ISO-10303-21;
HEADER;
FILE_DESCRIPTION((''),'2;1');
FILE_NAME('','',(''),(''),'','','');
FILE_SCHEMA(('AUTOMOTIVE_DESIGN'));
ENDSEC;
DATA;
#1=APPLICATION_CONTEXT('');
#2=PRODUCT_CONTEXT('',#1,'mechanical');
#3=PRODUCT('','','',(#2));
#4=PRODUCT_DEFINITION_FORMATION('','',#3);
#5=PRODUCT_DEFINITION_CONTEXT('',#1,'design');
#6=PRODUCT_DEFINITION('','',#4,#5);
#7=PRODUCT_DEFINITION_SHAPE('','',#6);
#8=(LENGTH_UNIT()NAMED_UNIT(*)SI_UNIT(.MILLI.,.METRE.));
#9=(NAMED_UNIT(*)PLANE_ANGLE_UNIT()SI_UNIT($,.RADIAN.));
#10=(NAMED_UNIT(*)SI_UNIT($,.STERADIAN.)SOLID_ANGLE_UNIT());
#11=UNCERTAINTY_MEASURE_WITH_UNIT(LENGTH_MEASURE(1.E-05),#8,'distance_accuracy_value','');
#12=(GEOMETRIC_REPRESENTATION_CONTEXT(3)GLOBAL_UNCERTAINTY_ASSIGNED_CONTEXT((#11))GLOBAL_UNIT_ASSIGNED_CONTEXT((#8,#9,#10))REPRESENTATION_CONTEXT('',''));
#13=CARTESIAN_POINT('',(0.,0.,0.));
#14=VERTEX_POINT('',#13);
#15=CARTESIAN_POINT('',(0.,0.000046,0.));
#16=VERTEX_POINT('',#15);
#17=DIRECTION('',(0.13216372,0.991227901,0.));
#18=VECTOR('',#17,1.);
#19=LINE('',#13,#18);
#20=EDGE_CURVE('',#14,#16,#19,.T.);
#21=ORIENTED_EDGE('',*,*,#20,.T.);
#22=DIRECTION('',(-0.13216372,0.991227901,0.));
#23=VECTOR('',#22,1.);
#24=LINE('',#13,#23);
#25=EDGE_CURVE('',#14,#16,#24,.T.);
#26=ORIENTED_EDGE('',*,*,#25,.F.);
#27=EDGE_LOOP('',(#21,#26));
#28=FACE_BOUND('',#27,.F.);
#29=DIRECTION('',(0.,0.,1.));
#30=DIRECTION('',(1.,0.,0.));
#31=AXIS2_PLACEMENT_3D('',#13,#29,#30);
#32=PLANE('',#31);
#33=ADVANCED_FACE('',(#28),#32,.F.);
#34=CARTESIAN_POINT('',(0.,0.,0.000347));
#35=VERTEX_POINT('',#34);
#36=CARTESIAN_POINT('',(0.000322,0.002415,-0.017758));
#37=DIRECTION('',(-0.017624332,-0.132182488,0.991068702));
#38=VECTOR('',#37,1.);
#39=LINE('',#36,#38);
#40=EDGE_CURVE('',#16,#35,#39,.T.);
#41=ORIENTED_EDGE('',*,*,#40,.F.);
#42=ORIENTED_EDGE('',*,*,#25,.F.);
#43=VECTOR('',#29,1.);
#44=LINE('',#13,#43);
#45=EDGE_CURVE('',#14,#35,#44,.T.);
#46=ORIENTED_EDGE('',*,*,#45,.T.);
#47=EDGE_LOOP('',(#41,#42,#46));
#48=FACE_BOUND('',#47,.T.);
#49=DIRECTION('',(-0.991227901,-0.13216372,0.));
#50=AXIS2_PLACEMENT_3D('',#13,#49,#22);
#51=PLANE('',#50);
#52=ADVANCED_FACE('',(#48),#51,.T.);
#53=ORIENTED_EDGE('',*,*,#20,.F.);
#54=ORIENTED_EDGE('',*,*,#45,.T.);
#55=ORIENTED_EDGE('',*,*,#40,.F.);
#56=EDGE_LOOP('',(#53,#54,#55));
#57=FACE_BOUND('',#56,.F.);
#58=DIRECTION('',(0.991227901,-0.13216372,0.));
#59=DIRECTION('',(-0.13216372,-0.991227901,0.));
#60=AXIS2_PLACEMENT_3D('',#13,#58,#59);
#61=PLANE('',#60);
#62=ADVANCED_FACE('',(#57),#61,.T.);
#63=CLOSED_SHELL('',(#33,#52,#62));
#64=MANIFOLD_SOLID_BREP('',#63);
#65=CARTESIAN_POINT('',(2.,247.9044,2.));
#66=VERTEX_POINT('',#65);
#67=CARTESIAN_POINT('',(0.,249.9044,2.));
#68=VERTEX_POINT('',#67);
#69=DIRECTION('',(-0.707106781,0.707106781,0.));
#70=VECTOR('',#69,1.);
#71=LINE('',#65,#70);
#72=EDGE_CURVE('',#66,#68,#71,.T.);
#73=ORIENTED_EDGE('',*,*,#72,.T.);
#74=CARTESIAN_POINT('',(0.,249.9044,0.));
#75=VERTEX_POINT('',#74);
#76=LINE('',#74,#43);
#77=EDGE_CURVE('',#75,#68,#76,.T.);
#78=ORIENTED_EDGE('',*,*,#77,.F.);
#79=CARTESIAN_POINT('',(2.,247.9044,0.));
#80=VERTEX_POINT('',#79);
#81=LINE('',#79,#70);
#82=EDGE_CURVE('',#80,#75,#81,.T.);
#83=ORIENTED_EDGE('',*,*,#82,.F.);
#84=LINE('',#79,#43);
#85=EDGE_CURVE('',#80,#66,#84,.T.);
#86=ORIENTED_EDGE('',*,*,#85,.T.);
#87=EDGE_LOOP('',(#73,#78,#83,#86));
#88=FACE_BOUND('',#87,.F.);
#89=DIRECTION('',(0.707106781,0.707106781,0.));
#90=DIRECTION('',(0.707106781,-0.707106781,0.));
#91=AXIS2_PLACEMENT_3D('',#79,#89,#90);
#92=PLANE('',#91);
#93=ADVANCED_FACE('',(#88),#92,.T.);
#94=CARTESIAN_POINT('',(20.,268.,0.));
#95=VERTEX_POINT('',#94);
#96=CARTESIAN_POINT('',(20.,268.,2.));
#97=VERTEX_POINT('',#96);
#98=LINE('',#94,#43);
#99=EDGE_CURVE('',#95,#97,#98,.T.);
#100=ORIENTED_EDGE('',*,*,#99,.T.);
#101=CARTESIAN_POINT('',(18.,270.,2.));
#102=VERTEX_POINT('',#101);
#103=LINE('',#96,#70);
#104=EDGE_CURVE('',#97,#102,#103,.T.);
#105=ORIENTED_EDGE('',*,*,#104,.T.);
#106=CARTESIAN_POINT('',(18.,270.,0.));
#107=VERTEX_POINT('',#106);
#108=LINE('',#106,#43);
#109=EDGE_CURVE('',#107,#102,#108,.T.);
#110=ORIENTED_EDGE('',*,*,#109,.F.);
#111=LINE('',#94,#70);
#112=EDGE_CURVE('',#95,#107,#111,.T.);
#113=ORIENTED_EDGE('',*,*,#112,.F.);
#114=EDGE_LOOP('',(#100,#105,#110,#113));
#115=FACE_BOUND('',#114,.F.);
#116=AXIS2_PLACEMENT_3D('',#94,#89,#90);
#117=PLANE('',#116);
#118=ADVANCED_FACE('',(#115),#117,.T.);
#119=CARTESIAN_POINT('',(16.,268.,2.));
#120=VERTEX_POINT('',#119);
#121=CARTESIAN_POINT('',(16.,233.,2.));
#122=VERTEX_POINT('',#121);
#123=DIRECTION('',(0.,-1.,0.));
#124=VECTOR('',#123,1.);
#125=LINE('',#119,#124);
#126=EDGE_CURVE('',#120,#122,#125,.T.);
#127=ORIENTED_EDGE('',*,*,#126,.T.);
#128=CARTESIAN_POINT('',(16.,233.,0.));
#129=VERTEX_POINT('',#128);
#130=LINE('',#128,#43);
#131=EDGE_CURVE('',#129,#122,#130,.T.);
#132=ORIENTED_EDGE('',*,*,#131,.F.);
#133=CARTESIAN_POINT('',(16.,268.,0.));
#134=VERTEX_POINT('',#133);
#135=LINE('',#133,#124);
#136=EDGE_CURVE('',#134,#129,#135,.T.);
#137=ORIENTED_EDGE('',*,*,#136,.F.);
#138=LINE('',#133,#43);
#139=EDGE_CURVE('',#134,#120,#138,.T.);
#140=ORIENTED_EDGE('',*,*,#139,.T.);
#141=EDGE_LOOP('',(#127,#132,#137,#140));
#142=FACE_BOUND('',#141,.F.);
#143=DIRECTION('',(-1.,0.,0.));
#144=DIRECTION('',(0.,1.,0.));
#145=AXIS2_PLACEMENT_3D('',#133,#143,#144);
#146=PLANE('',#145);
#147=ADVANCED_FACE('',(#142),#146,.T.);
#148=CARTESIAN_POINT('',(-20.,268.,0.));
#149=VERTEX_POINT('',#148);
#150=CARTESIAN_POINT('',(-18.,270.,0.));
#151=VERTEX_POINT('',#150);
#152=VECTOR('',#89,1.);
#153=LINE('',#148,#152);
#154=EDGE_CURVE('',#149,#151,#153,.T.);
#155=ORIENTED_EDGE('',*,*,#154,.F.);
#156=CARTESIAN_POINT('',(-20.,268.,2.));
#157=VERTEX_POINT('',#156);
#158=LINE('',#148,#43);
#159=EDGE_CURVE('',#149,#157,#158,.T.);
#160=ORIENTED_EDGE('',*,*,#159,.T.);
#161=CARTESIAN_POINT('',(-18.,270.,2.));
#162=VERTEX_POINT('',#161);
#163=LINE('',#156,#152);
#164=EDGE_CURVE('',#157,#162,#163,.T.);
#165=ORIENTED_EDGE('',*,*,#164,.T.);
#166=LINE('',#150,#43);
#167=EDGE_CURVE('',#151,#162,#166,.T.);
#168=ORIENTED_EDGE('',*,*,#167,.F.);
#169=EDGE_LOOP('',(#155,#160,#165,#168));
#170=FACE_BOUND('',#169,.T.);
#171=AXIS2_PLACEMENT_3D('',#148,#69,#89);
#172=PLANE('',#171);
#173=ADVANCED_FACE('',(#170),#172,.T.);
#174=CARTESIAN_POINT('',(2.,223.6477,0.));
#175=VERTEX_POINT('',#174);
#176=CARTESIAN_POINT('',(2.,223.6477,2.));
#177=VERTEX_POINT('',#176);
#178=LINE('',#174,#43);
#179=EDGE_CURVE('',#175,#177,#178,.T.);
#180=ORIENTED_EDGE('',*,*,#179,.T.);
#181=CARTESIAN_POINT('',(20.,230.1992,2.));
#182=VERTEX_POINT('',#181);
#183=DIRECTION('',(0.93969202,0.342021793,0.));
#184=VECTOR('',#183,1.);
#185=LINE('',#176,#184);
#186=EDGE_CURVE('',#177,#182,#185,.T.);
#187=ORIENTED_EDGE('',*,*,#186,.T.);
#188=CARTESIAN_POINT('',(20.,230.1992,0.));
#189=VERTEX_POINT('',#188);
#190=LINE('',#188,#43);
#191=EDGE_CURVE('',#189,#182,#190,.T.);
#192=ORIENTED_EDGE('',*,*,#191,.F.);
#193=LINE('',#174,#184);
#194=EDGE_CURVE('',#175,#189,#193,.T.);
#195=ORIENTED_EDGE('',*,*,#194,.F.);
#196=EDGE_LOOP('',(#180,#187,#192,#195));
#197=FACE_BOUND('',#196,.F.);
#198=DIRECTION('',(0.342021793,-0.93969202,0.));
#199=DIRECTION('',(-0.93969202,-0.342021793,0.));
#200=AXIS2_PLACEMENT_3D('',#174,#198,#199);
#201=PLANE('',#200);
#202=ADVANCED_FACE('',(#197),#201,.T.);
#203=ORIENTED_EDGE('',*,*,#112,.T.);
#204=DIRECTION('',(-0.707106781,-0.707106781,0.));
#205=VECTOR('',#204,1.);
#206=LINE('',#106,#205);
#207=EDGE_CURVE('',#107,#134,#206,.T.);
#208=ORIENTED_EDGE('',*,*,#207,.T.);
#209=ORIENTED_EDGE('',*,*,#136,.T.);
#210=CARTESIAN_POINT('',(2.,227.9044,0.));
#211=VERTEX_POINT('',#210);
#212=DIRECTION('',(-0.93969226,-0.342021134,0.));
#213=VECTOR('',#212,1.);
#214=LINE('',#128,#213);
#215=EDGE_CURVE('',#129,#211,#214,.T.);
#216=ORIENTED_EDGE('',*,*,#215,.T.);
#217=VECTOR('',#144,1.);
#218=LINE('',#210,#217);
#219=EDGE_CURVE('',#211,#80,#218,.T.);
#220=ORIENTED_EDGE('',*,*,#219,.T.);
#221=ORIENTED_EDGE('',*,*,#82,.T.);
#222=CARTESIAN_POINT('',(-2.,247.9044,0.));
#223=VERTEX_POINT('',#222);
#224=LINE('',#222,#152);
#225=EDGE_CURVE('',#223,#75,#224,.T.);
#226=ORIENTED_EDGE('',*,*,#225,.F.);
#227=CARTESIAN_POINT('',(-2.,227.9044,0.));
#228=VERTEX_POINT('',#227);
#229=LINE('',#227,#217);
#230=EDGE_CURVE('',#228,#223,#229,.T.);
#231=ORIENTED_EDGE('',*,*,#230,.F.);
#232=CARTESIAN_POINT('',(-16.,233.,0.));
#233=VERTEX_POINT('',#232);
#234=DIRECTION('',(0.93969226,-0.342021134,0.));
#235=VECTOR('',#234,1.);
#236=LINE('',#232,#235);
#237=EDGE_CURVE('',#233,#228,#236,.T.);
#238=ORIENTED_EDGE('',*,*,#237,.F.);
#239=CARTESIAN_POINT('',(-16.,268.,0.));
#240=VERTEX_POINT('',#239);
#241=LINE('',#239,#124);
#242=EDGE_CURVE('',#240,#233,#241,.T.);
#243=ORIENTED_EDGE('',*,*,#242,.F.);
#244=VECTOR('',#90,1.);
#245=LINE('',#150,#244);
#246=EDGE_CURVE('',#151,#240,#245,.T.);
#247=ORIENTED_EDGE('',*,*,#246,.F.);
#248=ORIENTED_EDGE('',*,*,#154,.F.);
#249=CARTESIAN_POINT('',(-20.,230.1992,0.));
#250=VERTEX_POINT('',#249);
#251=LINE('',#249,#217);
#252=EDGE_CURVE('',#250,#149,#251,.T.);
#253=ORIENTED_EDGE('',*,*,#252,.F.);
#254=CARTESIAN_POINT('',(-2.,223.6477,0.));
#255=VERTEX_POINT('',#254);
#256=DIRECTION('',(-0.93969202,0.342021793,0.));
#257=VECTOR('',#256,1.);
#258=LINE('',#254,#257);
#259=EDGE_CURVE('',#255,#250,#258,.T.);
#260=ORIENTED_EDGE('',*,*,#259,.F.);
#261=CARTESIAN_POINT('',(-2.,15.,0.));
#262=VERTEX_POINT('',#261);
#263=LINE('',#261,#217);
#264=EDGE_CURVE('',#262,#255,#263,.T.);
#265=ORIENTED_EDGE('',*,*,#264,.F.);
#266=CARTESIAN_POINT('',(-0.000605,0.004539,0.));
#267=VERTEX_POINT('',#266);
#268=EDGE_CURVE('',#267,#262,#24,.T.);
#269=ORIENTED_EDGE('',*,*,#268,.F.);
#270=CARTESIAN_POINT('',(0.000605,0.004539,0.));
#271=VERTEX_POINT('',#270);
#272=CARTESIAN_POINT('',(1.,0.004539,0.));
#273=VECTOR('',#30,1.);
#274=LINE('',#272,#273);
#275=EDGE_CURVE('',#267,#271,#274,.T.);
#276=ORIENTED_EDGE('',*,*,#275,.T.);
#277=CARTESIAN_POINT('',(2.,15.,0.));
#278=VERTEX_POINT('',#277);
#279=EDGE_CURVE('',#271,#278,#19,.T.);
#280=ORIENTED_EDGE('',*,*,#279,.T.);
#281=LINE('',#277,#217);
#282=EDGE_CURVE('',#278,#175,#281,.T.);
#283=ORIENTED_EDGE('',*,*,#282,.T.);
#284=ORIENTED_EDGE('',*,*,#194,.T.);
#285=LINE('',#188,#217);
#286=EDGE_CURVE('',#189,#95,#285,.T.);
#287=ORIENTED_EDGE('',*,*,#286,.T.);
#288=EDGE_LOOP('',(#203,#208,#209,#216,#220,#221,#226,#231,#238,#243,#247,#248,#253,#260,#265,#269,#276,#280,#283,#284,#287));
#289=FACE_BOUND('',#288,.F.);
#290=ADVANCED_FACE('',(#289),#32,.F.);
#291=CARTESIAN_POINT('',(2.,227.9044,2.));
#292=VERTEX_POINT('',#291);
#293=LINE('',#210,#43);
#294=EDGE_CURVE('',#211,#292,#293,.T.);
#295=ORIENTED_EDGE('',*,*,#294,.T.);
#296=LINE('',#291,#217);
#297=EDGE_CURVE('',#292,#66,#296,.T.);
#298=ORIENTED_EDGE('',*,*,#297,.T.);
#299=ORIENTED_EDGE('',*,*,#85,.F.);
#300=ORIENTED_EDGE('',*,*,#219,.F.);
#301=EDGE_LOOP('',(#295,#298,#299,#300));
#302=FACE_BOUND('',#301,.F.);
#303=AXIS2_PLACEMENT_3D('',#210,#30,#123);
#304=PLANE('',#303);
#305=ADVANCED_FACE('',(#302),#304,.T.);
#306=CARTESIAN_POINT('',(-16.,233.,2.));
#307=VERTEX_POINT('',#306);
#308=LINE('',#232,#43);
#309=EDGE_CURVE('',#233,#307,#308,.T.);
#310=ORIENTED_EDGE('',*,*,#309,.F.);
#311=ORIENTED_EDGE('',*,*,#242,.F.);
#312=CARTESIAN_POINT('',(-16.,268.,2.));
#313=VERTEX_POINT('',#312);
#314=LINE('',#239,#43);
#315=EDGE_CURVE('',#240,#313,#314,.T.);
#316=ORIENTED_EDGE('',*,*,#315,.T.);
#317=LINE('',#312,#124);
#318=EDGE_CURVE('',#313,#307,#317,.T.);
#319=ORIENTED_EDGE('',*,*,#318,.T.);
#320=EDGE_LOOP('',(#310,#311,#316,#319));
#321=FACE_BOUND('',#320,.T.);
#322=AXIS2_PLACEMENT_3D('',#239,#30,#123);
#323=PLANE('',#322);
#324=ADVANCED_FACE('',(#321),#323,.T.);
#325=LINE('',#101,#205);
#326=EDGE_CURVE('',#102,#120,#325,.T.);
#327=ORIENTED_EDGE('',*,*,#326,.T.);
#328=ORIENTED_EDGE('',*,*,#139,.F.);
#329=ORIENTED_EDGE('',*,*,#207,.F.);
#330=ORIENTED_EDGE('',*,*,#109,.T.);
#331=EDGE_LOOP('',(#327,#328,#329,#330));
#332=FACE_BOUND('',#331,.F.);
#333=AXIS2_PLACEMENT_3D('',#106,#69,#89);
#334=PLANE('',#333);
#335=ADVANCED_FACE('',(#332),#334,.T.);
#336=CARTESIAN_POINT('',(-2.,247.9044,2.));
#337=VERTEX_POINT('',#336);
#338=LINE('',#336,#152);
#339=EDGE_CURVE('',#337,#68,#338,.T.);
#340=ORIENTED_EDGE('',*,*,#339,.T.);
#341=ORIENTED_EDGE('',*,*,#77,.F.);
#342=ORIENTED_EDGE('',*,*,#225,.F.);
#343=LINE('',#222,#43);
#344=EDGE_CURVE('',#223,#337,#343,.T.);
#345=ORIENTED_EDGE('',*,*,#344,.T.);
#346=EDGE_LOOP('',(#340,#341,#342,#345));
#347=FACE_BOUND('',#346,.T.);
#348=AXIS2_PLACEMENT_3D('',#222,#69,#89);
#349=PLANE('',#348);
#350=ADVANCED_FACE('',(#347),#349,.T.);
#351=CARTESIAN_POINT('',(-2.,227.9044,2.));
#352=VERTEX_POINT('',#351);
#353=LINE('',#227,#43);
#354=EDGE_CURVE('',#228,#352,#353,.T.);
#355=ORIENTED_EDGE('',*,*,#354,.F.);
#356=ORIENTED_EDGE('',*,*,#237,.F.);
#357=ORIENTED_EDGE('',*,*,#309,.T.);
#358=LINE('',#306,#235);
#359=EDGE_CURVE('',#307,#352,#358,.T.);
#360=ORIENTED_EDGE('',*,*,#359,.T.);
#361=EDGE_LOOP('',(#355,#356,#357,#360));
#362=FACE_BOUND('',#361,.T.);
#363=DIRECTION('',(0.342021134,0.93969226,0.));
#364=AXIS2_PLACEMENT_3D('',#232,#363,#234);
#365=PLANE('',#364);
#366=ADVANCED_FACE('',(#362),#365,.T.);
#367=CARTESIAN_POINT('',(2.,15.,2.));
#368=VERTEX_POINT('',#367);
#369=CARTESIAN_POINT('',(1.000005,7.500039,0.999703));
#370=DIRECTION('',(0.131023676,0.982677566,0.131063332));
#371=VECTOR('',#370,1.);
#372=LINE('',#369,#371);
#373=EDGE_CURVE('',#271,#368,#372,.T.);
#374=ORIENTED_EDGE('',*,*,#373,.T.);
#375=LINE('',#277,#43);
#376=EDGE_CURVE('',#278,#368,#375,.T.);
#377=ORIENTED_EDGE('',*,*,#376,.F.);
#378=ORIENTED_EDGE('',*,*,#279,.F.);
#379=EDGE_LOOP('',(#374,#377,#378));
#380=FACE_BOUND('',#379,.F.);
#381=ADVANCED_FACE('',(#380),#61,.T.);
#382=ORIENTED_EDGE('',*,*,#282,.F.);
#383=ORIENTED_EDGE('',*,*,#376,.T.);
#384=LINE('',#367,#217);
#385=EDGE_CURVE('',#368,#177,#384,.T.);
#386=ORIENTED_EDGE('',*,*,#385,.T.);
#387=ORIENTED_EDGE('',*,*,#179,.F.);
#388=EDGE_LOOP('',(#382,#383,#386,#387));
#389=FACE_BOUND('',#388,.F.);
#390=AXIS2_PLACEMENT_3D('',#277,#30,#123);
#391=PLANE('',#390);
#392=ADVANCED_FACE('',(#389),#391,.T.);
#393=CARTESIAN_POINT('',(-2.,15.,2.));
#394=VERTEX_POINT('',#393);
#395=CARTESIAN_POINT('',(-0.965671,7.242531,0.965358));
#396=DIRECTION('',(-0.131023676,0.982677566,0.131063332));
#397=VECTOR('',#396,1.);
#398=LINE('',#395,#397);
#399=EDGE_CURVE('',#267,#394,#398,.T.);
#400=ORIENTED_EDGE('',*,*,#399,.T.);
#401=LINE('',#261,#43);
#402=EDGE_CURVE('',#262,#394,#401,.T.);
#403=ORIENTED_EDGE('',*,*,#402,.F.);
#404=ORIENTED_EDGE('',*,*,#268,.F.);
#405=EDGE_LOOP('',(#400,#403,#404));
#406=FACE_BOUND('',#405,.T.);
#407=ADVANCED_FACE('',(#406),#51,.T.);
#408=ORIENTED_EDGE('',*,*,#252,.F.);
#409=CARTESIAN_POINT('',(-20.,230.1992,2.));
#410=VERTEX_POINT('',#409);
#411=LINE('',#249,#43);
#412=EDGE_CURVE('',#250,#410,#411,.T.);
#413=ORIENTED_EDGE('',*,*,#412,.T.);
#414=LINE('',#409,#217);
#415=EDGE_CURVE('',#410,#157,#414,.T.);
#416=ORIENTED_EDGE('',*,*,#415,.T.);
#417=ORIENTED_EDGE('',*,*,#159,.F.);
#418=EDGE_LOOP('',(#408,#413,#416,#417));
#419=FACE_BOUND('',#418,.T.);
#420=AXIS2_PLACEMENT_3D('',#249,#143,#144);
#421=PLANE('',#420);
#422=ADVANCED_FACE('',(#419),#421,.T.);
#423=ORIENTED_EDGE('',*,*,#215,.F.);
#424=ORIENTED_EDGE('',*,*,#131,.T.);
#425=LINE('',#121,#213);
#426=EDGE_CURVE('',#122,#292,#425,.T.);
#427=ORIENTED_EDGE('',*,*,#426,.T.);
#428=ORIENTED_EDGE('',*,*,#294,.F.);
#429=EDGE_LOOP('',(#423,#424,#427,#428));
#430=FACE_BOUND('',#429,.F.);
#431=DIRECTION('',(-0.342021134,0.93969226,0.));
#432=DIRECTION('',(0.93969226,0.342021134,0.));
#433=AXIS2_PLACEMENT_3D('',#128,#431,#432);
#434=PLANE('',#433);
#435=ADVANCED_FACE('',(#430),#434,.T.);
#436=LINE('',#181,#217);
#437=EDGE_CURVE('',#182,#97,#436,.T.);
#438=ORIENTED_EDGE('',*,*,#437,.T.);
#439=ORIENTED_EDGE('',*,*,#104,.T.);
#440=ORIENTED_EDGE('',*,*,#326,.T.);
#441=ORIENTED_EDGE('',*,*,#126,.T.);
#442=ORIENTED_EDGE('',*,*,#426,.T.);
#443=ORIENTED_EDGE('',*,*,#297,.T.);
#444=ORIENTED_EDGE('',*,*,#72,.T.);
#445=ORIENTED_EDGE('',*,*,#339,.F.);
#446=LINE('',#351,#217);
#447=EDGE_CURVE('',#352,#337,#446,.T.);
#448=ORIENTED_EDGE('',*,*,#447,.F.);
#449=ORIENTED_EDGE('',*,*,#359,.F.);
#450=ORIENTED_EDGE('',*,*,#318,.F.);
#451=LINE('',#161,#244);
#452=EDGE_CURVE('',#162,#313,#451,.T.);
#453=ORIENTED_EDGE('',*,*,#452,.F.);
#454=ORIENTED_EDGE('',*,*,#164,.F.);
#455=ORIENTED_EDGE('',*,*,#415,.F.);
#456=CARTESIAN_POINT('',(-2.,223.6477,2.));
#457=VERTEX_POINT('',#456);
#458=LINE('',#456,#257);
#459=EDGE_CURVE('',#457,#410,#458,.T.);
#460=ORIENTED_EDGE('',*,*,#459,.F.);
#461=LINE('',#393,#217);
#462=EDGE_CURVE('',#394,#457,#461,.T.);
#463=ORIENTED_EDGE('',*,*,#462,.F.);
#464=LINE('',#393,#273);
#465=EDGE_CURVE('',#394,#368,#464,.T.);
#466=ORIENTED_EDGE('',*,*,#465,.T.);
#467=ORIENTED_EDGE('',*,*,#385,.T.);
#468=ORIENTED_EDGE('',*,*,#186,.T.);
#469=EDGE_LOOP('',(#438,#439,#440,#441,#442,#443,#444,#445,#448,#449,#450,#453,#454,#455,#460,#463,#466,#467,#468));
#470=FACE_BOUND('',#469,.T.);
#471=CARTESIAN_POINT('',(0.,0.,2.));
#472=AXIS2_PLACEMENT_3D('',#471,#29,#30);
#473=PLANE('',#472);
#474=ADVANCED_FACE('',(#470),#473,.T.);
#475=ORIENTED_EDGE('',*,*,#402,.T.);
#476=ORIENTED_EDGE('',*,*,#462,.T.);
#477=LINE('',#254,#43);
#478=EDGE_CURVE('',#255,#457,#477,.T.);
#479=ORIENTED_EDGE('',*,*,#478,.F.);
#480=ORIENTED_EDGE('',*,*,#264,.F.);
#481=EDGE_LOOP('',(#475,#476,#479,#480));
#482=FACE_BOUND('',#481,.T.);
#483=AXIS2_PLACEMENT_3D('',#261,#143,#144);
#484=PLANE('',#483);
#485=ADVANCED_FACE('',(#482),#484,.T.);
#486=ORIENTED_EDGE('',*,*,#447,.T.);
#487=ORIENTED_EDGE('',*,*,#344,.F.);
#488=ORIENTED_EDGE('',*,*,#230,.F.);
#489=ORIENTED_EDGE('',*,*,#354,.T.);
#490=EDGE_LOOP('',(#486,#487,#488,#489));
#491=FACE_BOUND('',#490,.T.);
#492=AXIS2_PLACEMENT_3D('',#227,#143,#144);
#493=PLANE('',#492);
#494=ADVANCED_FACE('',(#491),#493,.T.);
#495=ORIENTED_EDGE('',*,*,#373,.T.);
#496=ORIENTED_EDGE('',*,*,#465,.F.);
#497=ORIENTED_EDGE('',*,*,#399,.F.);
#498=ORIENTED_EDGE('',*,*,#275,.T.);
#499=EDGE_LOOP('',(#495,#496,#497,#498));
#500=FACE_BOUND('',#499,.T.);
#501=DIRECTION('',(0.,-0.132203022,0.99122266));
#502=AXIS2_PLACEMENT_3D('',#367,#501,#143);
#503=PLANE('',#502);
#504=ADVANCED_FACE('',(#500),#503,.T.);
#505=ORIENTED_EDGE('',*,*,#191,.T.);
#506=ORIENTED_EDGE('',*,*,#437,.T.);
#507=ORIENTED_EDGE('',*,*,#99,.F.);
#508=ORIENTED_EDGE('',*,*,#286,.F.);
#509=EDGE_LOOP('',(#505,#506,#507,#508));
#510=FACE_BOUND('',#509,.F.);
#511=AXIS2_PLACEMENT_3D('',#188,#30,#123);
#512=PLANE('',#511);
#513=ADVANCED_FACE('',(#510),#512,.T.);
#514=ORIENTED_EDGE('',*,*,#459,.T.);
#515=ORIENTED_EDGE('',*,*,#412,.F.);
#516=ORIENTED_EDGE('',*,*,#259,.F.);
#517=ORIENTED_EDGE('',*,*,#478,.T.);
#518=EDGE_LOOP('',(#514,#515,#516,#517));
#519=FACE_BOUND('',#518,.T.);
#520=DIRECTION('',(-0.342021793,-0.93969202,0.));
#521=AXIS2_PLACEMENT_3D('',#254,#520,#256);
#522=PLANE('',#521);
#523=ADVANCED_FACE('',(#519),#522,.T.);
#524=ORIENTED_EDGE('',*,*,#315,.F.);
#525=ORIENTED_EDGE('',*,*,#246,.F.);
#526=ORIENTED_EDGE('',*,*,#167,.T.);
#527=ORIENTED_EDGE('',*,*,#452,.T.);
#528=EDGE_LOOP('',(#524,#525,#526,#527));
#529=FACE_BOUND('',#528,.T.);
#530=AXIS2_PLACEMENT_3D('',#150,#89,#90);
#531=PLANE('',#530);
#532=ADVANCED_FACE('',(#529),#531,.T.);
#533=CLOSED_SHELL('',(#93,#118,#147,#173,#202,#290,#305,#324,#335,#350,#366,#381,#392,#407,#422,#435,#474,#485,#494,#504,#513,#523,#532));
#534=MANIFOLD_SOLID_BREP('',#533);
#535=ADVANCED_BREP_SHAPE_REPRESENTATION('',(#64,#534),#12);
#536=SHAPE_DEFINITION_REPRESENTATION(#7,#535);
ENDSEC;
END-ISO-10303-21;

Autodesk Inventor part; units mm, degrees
sketch "Sketch1" plane through (0, 0, 0) normal (0, 0, 1) x (1, 0, 0)
  line L0 (0, 0) -> (-2, 15)
  line L1 (-2, 15) -> (-2, 223.6477)
  line L2 (-24, 0) -> (4, 0) projected
  line L3 (-2, 223.6477) -> (-20, 230.1992)
  line L4 (-20, 230.1992) -> (-20, 268)
  line L5 (-20, 268) -> (-18, 270)
  line L6 (-18, 270) -> (-16, 268)
  line L7 (-16, 268) -> (-16, 233)
  line L8 (-16, 233) -> (-2, 227.9044)
  line L9 (-2, 227.9044) -> (-2, 247.9044)
  line L10 (-2, 247.9044) -> (0, 249.9044)
  line L11 (0, 249.9044) -> (0, 0)
  dimension "d6" = 15
  dimension "d7" = 4
  dimension "d12" = 4
  dimension "d19" = 2
  dimension "d20" = 270
  dimension "d22" = 135
  dimension "d23" = 2
  dimension "d24" = 70
  dimension "d26" = 2
  dimension "d27" = 20
  dimension "d28" = 135
  dimension "d31" = 35
  dimension "d32" = 20
extrude "Extrusion1" add sketch "Sketch1" along normal blind 2
mirror "Mirror1" about plane through (0, 0, 0) normal (1, 0, 0) of "Extrusion1"
ref_plane "Work Plane1" through (2, 15, 2) normal (0, -0.1322, 0.9912) x (-1, 0, 0)
sketch "Sketch3" plane through (2, 15, 2) normal (0, -0.1322, 0.9912) x (-1, 0, 0)
  line L0 (4, -206.8174) -> (4, 0) projected
  line L1 (4, 0) -> (0, 0)
  line L2 (0, 0) -> (0, 15.1327)
  line L3 (0, 15.1327) -> (4, 15.1327)
  line L4 (4, 15.1327) -> (4, 0)
  point P0 (2, 15.1327)
extrude "Extrusion2" cut sketch "Sketch3" along normal through all
equation "\"d7\" = thickness"
equation "\"d12\" = thickness"
equation "\"d20\" = length"
equation "\"d23\" = 0.5 * thickness"
equation "\"d26\" = 0.5 * thickness"
equation "\"thickness\" = 4"
equation "\"length\" = 270"
properties part number "card holder"
